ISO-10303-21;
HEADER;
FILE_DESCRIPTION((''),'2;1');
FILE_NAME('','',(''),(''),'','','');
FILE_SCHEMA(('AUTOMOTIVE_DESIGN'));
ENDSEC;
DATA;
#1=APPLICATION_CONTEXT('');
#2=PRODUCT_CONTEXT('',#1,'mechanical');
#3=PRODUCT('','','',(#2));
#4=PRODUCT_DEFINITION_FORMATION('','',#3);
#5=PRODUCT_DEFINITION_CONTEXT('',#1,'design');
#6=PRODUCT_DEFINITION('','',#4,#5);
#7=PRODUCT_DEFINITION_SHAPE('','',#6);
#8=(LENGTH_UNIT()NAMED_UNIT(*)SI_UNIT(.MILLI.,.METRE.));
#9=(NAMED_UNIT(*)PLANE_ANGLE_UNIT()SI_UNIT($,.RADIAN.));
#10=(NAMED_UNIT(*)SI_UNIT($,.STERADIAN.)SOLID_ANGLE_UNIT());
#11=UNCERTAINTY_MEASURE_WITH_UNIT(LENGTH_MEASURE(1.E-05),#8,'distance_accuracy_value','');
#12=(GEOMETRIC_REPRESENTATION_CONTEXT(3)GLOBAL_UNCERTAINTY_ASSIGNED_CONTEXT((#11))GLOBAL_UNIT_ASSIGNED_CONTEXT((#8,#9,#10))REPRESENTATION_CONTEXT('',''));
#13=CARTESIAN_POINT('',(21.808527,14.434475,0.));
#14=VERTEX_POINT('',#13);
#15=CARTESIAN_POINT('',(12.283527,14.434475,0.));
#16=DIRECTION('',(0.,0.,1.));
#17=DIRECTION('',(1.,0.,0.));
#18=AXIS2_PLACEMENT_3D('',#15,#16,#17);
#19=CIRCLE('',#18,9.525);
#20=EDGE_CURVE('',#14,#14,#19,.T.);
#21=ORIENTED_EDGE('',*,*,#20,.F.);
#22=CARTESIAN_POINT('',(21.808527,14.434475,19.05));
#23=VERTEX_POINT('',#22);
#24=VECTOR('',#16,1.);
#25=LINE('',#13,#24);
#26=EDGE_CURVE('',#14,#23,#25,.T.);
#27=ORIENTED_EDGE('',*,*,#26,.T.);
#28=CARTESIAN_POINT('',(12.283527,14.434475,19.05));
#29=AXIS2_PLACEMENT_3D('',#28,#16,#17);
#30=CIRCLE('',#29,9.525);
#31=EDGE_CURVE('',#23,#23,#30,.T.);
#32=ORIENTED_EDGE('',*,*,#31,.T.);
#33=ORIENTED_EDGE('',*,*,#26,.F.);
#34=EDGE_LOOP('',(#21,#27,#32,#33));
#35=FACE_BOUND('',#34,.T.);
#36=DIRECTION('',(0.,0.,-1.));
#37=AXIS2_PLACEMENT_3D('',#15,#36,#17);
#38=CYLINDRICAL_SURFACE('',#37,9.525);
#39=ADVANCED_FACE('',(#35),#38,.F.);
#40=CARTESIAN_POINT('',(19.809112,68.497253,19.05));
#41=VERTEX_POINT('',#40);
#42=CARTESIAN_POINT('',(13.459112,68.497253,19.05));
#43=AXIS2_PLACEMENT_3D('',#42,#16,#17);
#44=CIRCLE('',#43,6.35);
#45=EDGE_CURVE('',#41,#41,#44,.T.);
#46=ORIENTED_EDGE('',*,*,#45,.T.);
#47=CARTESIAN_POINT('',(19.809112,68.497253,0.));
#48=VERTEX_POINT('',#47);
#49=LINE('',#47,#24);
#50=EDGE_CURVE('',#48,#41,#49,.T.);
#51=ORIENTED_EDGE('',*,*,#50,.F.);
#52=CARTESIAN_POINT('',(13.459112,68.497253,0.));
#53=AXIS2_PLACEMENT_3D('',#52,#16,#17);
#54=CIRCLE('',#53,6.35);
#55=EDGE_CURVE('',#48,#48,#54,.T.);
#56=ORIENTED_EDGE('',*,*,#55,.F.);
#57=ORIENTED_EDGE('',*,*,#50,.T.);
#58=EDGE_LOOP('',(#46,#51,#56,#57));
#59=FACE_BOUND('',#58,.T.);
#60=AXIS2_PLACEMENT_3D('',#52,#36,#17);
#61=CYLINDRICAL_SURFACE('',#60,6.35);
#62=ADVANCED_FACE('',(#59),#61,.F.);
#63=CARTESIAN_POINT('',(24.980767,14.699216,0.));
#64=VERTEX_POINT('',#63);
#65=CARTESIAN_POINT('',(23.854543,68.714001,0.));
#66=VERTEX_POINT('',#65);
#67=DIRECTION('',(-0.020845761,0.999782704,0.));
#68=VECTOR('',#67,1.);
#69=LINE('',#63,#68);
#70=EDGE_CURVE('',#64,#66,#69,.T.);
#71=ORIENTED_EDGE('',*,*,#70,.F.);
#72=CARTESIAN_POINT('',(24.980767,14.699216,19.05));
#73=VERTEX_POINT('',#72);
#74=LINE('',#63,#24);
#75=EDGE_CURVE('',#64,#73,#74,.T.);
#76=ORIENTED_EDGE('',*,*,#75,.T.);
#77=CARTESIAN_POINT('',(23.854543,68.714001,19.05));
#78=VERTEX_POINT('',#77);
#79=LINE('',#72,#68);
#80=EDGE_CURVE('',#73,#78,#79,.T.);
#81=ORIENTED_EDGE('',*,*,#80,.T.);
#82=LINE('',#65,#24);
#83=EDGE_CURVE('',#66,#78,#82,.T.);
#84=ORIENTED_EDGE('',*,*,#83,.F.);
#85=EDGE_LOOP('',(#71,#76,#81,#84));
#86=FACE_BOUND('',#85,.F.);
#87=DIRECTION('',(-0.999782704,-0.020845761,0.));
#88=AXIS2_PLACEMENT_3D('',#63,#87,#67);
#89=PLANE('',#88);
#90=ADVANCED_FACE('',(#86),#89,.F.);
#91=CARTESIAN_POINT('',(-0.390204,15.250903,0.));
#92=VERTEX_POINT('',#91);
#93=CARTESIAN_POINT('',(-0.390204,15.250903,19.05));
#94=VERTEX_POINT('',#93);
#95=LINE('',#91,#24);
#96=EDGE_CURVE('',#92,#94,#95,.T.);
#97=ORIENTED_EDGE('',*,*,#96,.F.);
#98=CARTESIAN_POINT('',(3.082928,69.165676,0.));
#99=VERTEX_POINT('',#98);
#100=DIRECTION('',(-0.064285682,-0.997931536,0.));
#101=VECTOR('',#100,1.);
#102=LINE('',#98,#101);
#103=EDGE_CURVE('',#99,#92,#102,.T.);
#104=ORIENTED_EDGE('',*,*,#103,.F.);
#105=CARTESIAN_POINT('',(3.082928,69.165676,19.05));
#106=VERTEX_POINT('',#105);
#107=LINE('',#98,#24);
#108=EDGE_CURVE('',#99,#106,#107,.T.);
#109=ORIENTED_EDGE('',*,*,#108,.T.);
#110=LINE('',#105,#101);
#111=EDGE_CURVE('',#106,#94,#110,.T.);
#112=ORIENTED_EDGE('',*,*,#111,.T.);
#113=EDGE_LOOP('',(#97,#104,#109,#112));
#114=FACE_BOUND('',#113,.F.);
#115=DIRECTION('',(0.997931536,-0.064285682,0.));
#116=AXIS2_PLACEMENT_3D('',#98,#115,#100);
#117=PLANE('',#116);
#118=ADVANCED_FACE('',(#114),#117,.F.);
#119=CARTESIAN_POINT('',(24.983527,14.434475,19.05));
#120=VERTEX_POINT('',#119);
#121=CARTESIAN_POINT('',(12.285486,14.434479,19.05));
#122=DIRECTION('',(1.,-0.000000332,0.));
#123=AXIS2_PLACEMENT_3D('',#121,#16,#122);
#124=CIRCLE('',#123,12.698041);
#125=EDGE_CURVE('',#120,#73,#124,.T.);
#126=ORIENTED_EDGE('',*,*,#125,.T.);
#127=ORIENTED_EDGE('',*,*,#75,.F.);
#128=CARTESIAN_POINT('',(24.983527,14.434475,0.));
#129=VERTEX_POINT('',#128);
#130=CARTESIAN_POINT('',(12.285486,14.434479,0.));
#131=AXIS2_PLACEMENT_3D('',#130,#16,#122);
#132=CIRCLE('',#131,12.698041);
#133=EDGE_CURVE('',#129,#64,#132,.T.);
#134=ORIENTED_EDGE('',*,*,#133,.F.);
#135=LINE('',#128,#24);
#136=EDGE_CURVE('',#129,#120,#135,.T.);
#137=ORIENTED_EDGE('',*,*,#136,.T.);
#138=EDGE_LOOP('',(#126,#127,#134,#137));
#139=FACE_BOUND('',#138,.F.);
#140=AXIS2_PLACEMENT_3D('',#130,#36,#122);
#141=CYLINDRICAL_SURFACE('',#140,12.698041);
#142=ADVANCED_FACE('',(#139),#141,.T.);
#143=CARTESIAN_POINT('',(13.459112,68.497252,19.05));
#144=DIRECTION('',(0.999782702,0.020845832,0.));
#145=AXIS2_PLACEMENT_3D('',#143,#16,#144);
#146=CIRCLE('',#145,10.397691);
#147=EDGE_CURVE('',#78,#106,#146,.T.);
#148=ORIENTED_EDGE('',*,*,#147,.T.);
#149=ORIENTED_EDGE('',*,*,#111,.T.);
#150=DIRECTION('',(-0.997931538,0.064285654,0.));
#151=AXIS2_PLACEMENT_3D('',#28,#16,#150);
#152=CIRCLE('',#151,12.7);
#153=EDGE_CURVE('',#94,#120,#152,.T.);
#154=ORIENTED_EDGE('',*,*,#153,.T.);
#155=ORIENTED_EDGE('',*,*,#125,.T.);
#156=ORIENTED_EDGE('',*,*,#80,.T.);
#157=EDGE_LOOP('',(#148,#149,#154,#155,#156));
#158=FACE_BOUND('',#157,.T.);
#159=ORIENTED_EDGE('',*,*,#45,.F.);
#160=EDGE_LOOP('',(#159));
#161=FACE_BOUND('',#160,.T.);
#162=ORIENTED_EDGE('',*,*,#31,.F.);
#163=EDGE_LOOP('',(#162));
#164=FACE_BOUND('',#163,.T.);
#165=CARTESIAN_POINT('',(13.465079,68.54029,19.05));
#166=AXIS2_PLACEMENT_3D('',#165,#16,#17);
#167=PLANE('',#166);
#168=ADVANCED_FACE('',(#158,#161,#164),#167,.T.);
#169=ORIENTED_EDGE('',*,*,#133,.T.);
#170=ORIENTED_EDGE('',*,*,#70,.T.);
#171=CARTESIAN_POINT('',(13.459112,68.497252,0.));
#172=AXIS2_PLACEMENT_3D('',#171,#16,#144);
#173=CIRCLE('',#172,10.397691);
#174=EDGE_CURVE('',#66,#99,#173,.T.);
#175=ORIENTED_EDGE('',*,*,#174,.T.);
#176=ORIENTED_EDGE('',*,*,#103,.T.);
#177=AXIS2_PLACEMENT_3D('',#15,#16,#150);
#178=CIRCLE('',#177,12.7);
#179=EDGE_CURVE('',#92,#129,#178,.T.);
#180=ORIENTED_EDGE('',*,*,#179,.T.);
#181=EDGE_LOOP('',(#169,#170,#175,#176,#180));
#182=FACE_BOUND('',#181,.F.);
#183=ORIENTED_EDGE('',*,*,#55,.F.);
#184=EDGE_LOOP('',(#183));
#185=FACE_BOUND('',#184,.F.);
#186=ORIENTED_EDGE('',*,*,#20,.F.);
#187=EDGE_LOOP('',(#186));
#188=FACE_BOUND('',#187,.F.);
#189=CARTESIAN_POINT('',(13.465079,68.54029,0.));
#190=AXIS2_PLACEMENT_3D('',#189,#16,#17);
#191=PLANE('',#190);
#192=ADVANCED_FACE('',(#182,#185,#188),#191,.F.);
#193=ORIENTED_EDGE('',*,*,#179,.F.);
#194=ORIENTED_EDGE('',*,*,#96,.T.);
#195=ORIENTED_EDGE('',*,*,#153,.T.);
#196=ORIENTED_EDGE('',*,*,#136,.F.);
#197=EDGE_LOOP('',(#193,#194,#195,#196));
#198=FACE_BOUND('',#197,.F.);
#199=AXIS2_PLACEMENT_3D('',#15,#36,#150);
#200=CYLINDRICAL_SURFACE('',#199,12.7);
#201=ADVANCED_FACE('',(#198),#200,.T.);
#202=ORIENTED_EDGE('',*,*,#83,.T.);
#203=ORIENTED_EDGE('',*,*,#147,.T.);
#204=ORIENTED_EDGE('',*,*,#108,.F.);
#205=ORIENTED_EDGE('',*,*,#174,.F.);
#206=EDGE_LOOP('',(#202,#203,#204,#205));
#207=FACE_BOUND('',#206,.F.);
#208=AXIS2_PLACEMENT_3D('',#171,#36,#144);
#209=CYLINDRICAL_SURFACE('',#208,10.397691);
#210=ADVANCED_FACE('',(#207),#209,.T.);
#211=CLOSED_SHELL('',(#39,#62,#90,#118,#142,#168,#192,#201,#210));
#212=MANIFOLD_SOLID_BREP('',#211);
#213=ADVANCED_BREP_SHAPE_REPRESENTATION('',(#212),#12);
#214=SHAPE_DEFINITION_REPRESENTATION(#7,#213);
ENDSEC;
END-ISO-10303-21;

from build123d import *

# Parameters (mm, degrees)
F0_R     = 6.35
F0_R_2   = 9.525
F1_DEPTH = 19.05


with BuildPart() as f1:
    # F0 (on Top) → F1 (new body)
    with BuildSketch(Plane.XY):
        with BuildLine():
            ThreePointArc((23.856802, 68.497253), (23.856237, 68.605633), (23.854543, 68.714001))
            ThreePointArc((23.854543, 68.714001), (13.685154, 78.892486), (3.082928, 69.165676))
            ThreePointArc((3.082928, 69.165676), (13.124727, 58.104941), (23.856802, 68.497253))
        make_face()
        with Locations((13.459112, 68.497253)):
            Circle(F0_R, mode=Mode.SUBTRACT)
        with BuildLine():
            ThreePointArc((-0.390204, 15.250903), (12.559621, 27.131474), (24.980767, 14.699216))
            Line((24.980767, 14.699216), (23.854543, 68.714001))
            ThreePointArc((23.854543, 68.714001), (23.856237, 68.605633), (23.856802, 68.497253))
            ThreePointArc((23.856802, 68.497253), (13.124727, 58.104941), (3.082928, 69.165676))
            Line((3.082928, 69.165676), (-0.390204, 15.250903))
        make_face()
        with BuildLine():
            ThreePointArc((-0.390204, 15.250903), (11.875102, 1.741044), (24.983527, 14.434475))
            ThreePointArc((24.983527, 14.434475), (24.982837, 14.566853), (24.980767, 14.699216))
            ThreePointArc((24.980767, 14.699216), (12.559621, 27.131474), (-0.390204, 15.250903))
        make_face()
        with Locations((12.283527, 14.434475)):
            Circle(F0_R_2, mode=Mode.SUBTRACT)
    extrude(amount=F1_DEPTH)


solid = f1.part
